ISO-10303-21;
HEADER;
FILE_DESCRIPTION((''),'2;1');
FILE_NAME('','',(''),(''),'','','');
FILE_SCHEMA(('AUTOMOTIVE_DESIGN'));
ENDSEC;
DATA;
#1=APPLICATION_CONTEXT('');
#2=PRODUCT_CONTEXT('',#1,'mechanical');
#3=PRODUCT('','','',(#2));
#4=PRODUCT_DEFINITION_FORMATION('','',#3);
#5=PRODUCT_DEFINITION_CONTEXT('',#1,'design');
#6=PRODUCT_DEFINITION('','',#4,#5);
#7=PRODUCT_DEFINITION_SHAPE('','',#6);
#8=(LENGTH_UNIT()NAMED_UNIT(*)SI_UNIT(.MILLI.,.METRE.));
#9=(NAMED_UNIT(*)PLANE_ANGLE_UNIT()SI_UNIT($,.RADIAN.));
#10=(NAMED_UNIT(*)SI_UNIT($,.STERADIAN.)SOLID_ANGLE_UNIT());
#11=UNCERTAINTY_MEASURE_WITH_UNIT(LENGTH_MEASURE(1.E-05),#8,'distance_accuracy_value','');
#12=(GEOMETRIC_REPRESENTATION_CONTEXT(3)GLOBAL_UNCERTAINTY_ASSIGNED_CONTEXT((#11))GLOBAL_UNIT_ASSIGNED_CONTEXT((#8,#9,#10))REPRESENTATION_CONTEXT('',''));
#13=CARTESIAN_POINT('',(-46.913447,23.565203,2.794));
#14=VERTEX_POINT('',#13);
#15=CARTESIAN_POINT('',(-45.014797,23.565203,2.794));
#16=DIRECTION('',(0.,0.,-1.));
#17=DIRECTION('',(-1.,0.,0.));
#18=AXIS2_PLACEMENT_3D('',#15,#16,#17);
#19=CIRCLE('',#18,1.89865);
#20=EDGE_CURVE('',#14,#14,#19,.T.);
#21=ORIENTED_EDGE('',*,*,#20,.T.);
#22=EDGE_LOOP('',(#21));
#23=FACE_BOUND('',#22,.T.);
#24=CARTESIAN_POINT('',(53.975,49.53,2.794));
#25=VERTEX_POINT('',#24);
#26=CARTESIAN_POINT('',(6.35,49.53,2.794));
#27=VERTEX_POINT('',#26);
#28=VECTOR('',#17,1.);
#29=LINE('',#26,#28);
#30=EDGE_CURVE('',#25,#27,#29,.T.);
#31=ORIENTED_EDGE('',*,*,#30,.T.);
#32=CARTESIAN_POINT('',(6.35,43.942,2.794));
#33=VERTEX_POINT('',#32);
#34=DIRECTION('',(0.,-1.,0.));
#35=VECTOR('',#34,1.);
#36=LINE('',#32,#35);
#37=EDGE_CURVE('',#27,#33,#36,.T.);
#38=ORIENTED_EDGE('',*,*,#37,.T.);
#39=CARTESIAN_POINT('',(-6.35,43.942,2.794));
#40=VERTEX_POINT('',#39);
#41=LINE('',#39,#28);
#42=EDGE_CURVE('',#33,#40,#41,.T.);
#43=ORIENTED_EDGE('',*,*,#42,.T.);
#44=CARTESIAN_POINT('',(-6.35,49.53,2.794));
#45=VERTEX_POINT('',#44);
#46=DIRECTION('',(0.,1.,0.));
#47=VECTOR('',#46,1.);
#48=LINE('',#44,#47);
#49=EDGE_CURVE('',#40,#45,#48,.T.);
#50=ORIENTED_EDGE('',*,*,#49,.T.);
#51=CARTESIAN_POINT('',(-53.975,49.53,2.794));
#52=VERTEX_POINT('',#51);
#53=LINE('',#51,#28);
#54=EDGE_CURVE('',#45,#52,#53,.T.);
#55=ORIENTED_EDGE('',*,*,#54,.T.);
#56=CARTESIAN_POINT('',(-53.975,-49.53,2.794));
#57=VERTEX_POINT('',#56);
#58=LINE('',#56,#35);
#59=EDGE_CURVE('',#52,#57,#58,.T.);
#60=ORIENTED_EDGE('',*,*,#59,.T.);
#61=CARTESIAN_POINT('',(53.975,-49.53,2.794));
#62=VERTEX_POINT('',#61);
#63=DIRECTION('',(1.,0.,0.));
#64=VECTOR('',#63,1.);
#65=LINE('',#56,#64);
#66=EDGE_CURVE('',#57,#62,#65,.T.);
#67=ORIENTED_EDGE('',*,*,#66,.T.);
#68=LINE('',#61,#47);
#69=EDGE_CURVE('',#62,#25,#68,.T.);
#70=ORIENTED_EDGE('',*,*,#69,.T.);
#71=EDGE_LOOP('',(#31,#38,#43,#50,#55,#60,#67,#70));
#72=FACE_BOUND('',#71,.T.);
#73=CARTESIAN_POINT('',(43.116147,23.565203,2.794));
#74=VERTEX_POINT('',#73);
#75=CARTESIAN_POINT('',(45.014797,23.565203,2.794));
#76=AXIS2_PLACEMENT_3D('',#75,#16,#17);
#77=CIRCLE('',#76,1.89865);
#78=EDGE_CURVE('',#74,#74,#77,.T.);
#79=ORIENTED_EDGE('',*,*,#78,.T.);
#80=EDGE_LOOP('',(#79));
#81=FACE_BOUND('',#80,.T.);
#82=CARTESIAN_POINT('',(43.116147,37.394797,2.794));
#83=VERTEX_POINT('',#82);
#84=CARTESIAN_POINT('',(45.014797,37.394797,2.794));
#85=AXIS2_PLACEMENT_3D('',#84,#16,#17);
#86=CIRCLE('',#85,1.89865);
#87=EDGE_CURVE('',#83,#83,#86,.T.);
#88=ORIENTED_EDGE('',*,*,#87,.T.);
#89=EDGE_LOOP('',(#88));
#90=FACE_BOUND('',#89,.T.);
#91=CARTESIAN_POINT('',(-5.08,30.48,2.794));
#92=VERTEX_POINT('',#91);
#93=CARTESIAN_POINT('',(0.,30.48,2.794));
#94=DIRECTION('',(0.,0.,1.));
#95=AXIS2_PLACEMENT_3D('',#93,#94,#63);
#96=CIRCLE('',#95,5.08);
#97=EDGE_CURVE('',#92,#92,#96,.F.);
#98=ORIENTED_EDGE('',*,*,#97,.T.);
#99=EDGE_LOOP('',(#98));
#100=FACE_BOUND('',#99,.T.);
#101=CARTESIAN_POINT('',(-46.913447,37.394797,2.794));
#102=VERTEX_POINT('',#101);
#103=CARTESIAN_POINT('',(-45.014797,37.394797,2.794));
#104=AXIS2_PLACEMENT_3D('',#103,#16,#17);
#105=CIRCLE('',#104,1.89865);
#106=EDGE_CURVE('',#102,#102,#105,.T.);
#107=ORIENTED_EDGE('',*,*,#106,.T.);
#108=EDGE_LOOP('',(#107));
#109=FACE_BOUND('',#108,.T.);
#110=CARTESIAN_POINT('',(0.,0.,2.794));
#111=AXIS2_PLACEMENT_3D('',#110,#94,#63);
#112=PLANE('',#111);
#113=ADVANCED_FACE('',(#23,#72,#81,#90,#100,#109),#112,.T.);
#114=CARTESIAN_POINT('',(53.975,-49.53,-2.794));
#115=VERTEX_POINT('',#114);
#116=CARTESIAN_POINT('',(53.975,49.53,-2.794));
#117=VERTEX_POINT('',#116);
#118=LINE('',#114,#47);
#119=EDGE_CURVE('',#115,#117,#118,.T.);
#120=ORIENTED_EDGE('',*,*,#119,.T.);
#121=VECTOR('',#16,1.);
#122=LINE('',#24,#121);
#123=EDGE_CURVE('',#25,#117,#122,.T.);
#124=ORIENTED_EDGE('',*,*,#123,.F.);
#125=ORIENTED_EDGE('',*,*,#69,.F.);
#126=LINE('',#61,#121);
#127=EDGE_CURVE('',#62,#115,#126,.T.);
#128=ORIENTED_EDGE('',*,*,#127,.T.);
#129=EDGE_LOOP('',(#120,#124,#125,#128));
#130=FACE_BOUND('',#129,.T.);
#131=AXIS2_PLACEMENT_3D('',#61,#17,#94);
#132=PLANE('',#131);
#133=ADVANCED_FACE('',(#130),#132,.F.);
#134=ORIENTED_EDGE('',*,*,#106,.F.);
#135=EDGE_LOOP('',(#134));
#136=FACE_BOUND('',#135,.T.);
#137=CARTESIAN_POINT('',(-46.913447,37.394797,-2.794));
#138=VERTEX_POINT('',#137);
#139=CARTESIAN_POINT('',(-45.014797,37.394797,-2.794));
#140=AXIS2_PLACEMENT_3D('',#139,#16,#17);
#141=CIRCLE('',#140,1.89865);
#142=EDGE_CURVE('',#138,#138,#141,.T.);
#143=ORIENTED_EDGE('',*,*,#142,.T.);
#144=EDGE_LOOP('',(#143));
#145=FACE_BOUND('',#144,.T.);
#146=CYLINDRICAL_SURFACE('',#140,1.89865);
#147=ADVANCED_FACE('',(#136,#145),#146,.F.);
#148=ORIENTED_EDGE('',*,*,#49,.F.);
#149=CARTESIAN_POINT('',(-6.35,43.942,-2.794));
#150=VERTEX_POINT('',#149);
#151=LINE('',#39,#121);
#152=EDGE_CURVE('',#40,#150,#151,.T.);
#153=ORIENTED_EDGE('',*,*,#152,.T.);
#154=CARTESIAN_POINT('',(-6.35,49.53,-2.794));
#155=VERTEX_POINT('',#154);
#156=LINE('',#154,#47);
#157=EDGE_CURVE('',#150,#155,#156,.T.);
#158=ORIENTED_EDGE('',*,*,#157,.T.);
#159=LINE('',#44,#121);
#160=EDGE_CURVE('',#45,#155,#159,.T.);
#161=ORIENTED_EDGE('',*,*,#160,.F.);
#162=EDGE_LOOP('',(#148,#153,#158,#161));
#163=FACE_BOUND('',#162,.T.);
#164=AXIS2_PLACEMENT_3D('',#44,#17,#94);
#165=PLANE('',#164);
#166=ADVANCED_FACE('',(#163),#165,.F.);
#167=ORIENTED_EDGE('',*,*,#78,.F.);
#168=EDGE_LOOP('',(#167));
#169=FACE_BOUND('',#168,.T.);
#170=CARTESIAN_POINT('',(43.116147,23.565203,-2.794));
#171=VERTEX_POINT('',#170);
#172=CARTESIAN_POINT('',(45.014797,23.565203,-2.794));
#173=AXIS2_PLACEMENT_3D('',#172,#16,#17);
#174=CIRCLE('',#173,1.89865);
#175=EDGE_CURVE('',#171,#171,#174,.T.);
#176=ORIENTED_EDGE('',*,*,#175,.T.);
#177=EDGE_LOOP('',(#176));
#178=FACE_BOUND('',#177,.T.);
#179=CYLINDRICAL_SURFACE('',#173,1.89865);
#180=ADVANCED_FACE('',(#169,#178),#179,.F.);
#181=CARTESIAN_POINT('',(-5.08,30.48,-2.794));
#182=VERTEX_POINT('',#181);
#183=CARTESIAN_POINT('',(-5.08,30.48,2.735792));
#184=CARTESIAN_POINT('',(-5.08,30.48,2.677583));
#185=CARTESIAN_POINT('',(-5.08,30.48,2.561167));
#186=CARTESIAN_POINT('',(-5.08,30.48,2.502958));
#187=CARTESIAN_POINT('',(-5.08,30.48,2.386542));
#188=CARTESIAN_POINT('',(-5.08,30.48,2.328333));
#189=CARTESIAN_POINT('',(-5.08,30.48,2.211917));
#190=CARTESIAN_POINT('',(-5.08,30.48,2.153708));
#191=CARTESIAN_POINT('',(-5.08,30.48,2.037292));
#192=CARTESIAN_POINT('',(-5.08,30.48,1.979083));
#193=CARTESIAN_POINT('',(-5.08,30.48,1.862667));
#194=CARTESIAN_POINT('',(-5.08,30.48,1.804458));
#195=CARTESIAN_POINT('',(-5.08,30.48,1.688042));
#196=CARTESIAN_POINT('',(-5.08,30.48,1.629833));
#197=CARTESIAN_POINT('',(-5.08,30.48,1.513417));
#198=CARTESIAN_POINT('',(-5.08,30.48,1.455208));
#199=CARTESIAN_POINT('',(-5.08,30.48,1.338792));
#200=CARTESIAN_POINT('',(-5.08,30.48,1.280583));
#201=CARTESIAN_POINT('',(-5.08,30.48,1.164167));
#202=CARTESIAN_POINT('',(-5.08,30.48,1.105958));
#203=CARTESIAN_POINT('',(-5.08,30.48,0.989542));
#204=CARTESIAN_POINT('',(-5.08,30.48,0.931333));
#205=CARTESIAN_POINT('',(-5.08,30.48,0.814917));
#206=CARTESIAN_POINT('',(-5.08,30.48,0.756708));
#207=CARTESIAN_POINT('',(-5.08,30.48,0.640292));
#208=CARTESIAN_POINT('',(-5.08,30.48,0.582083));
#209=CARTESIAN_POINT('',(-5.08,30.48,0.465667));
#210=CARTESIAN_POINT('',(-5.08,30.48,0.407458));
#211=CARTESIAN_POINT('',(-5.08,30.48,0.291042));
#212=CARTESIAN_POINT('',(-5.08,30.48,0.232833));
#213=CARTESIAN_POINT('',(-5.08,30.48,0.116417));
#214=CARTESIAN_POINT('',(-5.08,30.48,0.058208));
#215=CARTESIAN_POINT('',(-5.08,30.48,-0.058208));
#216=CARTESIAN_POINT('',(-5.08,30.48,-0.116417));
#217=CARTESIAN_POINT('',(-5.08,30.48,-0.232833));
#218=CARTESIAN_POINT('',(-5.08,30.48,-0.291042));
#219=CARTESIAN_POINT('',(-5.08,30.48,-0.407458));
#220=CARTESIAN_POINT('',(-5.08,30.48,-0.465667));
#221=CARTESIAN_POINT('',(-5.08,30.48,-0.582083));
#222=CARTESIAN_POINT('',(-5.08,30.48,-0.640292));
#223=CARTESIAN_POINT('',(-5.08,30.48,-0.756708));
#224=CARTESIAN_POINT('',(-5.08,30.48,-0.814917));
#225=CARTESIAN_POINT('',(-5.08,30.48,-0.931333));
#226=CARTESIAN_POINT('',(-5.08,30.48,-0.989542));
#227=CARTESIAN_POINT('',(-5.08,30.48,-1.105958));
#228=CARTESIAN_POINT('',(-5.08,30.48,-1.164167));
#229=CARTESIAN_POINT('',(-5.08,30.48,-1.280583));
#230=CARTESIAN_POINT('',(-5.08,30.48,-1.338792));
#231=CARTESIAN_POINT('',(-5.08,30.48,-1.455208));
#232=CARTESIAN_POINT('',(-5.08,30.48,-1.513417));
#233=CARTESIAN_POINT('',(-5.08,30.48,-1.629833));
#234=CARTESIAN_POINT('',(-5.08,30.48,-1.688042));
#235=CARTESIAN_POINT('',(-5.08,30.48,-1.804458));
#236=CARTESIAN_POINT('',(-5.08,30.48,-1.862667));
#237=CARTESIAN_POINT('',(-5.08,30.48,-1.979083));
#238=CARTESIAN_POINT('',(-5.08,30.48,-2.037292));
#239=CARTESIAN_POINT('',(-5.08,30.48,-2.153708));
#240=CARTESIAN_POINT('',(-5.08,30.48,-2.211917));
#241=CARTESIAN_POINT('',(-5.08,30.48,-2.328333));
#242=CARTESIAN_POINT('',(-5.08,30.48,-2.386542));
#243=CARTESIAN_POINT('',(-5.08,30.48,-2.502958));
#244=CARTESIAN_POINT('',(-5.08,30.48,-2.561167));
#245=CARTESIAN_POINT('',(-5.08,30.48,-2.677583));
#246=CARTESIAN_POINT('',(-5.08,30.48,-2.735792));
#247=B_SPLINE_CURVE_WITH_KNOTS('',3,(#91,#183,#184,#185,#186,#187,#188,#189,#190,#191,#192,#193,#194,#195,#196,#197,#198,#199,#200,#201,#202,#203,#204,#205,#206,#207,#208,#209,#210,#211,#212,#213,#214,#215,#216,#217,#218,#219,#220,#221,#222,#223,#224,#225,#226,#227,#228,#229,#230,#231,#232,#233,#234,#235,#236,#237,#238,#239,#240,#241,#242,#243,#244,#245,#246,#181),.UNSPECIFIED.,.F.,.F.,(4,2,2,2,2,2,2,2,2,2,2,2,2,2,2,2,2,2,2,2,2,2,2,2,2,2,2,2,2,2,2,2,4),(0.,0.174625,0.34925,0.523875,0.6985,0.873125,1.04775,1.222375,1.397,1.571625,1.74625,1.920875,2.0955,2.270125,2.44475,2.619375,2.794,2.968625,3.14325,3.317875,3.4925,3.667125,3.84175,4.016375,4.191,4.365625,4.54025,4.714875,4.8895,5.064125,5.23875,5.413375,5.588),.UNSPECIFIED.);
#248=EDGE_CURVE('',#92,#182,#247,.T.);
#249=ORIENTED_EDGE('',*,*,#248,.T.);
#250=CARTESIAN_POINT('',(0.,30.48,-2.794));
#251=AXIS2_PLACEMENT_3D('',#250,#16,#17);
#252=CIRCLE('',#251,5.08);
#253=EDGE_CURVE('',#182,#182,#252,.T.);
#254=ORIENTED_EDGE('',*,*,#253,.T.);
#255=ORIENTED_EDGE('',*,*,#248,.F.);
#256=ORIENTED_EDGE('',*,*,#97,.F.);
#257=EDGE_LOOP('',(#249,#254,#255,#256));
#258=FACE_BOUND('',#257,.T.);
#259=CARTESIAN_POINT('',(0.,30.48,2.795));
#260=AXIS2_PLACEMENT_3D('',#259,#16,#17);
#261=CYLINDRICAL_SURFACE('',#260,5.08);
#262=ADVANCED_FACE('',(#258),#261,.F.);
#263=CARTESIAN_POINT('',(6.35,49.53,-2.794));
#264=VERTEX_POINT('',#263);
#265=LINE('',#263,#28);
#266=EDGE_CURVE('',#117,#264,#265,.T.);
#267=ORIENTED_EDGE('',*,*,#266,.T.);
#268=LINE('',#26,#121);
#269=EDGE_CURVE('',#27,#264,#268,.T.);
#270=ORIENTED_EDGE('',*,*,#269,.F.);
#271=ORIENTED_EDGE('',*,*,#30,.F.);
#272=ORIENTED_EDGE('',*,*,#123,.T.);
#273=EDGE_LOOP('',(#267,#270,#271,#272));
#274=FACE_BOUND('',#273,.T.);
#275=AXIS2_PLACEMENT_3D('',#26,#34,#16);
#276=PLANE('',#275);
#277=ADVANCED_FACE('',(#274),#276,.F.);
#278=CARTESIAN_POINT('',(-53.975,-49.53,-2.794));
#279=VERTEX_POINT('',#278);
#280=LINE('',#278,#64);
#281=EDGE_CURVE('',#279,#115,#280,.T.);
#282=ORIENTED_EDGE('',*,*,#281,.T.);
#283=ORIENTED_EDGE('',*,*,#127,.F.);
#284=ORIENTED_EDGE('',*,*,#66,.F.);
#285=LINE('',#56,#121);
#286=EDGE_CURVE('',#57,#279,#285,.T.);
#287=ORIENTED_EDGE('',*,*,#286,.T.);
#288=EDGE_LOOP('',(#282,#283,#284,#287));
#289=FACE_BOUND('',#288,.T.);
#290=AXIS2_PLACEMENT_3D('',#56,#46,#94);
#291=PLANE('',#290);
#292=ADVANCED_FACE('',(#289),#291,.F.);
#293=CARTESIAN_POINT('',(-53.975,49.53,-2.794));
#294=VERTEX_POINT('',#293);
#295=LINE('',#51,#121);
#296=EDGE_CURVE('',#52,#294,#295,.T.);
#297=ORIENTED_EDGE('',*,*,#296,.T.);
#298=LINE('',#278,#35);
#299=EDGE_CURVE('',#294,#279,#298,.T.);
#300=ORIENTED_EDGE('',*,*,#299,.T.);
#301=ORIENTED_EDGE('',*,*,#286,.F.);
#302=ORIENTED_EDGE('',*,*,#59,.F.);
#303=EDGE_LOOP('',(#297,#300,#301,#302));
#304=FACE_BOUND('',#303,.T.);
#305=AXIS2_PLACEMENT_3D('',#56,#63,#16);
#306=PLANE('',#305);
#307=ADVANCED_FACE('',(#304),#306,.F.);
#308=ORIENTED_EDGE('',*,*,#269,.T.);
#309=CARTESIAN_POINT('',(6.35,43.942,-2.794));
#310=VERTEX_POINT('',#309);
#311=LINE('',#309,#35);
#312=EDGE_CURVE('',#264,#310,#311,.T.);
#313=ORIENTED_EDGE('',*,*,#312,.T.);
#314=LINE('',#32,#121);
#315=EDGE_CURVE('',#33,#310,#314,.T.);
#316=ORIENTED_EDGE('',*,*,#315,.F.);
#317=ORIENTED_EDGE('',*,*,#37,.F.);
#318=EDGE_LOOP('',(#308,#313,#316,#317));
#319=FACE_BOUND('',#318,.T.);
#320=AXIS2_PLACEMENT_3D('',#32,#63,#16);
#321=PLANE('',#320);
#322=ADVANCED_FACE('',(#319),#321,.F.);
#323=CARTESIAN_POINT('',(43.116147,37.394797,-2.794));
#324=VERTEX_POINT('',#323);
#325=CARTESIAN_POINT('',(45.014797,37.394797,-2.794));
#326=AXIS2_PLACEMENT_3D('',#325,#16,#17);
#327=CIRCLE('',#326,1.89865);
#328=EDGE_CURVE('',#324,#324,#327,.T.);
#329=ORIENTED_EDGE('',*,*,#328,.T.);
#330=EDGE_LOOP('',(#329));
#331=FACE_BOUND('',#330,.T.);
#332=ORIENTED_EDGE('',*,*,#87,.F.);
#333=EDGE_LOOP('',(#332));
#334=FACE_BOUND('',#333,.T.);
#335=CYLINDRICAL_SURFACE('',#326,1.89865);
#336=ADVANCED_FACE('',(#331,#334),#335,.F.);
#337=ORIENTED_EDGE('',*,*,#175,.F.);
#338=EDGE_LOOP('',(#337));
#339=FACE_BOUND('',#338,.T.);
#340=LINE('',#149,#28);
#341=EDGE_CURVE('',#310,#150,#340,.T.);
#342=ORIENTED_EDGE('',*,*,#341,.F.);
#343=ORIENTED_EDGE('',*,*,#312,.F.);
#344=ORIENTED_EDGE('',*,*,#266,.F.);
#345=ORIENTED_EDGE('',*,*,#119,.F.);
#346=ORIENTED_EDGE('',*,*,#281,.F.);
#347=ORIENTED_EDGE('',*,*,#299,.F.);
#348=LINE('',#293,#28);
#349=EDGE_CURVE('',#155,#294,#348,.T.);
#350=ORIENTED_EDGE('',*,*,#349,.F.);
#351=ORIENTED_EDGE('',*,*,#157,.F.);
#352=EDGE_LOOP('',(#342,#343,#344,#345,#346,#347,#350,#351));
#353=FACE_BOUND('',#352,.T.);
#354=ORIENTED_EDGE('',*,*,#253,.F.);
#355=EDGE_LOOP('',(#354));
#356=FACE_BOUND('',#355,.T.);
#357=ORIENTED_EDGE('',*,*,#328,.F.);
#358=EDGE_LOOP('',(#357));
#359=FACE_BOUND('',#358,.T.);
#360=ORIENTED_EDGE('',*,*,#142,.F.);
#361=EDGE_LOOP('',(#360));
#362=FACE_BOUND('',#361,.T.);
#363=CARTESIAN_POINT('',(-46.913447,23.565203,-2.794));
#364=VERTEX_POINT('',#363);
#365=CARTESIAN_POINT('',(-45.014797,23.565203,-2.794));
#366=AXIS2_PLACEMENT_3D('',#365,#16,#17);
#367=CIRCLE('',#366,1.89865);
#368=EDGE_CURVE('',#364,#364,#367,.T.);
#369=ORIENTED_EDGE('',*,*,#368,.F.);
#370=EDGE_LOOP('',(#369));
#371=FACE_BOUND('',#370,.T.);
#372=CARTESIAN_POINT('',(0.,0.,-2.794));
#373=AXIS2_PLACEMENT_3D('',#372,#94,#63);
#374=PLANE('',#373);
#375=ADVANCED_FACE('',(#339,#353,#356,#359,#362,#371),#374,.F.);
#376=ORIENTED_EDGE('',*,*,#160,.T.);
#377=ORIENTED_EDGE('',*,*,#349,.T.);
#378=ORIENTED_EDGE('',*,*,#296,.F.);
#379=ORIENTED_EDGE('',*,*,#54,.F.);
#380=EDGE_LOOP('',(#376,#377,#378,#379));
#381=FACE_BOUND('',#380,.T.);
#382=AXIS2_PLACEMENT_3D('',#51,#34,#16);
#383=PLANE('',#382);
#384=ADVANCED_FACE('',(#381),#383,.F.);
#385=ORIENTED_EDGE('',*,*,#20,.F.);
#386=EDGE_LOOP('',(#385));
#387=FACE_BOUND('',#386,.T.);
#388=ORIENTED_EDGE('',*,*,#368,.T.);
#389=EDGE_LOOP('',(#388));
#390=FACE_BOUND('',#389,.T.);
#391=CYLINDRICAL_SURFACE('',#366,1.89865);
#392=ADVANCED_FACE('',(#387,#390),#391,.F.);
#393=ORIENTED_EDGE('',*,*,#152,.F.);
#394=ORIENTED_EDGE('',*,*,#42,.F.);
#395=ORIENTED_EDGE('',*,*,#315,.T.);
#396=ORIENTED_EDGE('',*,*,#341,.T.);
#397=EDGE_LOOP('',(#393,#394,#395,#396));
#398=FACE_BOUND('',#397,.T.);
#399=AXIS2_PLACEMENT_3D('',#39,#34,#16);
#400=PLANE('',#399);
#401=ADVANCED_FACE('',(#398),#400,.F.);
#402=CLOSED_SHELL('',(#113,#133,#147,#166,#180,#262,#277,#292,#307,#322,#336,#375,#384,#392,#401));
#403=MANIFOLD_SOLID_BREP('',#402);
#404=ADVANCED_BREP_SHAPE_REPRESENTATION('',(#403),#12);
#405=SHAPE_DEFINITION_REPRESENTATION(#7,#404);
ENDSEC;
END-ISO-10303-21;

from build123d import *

# Parameters (mm, degrees)
BOSS_EXTRUDE1_DEPTH   = 2.794
F_6_CLEARANCE_HOLE1_D = 3.7973
CUT_EXTRUDE1_REACH    = 75.469
SKETCH5_R             = 5.08


with BuildPart() as part:
    # Sketch1 → Boss-Extrude1 (new, symmetric)
    with BuildSketch(Plane.XY):
        Polygon((-6.35, 49.53), (-6.35, 43.942), (6.35, 43.942), (6.35, 49.53), (53.975, 49.53), (53.975, -49.53), (-53.975, -49.53), (-53.975, 49.53), align=None)
    extrude(amount=BOSS_EXTRUDE1_DEPTH, both=True)

    # #6 Clearance Hole1 (through all)
    with Locations(Plane(origin=(0, 0, -2.794), x_dir=(-1, 0, 0), z_dir=(0, 0, -1))):
        with Locations((-45.014797213, 37.394797213), (-45.014797213, 23.565202787), (45.014797213, 37.394797213), (45.014797213, 23.565202787)):
            Hole(F_6_CLEARANCE_HOLE1_D / 2)

    # Sketch5 → Cut-Extrude1 (cut, up to next)
    with BuildSketch(Plane(origin=(0, 0, -2.794), x_dir=(-1, 0, 0), z_dir=(0, 0, -1)), mode=Mode.PRIVATE) as cut_extrude1_sk1:
        with Locations((0, 30.48)):
            Circle(SKETCH5_R)
    cut_extrude1_tool1 = extrude(cut_extrude1_sk1.sketch, amount=-CUT_EXTRUDE1_REACH, mode=Mode.PRIVATE) & part.part
    add(cut_extrude1_tool1.solids().sort_by_distance((0, 30.48, -2.794))[0], mode=Mode.SUBTRACT)


solid = part.part
